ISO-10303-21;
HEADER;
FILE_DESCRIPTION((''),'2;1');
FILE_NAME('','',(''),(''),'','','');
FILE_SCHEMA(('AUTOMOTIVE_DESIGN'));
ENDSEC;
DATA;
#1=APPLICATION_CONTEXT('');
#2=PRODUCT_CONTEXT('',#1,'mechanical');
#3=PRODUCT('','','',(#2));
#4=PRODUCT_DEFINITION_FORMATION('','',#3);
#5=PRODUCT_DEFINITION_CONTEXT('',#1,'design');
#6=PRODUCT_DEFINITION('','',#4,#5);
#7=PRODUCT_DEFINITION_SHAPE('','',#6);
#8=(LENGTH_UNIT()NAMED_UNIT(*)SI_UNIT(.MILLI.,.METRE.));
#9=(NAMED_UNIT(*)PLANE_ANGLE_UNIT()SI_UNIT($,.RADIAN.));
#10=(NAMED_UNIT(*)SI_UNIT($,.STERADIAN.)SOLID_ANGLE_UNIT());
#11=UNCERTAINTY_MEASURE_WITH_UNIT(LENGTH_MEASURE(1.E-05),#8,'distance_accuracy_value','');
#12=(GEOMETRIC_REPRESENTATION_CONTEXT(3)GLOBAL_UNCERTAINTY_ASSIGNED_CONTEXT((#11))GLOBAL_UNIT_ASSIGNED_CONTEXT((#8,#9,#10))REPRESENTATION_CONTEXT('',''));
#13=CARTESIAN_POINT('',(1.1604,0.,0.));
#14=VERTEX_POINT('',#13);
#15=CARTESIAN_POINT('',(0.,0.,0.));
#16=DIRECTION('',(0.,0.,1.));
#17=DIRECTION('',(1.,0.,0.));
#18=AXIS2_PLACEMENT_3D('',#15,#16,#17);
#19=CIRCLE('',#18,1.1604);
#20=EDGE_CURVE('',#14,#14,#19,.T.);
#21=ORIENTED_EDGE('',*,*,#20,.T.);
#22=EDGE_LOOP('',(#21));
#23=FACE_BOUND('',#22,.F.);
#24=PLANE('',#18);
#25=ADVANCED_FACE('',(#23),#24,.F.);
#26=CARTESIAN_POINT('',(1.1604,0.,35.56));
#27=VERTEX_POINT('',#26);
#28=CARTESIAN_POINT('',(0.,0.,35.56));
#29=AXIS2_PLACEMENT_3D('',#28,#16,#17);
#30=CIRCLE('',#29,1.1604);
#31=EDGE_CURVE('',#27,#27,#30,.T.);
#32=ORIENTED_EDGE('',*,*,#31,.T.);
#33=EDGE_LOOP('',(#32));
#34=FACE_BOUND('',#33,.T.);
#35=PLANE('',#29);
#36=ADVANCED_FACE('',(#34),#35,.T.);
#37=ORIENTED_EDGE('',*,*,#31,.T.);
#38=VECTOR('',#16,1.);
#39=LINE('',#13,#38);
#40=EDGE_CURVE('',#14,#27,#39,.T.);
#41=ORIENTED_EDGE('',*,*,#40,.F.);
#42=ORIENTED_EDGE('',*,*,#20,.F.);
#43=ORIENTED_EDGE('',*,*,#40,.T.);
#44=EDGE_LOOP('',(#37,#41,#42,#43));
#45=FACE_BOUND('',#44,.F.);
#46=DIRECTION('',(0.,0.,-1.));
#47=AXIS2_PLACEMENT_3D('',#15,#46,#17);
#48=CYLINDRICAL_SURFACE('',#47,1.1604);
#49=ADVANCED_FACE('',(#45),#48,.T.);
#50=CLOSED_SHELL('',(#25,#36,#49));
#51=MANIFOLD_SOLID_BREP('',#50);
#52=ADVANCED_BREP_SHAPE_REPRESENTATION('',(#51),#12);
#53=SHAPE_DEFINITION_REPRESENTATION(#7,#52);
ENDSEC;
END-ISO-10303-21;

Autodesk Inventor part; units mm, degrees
ref_plane "YZ Plane" through (0, 0, 0) normal (1, 0, 0) x (0, 1, 0)
ref_plane "XZ Plane" through (0, 0, 0) normal (0, 1, 0) x (-1, 0, 0)
ref_plane "XY Plane" through (0, 0, 0) normal (0, 0, 1) x (1, 0, 0)
sketch "Sketch1" plane through (0, 0, 0) normal (0, 0, 1) x (1, 0, 0)
  circle A0 centre (0, 0) radius 1.1604
  dimension "d0" = 35.56
extrude "Extrusion1" add sketch "Sketch1" along normal blind 35.56
properties part number "1.4cylinder" material "PBT Plastic"
